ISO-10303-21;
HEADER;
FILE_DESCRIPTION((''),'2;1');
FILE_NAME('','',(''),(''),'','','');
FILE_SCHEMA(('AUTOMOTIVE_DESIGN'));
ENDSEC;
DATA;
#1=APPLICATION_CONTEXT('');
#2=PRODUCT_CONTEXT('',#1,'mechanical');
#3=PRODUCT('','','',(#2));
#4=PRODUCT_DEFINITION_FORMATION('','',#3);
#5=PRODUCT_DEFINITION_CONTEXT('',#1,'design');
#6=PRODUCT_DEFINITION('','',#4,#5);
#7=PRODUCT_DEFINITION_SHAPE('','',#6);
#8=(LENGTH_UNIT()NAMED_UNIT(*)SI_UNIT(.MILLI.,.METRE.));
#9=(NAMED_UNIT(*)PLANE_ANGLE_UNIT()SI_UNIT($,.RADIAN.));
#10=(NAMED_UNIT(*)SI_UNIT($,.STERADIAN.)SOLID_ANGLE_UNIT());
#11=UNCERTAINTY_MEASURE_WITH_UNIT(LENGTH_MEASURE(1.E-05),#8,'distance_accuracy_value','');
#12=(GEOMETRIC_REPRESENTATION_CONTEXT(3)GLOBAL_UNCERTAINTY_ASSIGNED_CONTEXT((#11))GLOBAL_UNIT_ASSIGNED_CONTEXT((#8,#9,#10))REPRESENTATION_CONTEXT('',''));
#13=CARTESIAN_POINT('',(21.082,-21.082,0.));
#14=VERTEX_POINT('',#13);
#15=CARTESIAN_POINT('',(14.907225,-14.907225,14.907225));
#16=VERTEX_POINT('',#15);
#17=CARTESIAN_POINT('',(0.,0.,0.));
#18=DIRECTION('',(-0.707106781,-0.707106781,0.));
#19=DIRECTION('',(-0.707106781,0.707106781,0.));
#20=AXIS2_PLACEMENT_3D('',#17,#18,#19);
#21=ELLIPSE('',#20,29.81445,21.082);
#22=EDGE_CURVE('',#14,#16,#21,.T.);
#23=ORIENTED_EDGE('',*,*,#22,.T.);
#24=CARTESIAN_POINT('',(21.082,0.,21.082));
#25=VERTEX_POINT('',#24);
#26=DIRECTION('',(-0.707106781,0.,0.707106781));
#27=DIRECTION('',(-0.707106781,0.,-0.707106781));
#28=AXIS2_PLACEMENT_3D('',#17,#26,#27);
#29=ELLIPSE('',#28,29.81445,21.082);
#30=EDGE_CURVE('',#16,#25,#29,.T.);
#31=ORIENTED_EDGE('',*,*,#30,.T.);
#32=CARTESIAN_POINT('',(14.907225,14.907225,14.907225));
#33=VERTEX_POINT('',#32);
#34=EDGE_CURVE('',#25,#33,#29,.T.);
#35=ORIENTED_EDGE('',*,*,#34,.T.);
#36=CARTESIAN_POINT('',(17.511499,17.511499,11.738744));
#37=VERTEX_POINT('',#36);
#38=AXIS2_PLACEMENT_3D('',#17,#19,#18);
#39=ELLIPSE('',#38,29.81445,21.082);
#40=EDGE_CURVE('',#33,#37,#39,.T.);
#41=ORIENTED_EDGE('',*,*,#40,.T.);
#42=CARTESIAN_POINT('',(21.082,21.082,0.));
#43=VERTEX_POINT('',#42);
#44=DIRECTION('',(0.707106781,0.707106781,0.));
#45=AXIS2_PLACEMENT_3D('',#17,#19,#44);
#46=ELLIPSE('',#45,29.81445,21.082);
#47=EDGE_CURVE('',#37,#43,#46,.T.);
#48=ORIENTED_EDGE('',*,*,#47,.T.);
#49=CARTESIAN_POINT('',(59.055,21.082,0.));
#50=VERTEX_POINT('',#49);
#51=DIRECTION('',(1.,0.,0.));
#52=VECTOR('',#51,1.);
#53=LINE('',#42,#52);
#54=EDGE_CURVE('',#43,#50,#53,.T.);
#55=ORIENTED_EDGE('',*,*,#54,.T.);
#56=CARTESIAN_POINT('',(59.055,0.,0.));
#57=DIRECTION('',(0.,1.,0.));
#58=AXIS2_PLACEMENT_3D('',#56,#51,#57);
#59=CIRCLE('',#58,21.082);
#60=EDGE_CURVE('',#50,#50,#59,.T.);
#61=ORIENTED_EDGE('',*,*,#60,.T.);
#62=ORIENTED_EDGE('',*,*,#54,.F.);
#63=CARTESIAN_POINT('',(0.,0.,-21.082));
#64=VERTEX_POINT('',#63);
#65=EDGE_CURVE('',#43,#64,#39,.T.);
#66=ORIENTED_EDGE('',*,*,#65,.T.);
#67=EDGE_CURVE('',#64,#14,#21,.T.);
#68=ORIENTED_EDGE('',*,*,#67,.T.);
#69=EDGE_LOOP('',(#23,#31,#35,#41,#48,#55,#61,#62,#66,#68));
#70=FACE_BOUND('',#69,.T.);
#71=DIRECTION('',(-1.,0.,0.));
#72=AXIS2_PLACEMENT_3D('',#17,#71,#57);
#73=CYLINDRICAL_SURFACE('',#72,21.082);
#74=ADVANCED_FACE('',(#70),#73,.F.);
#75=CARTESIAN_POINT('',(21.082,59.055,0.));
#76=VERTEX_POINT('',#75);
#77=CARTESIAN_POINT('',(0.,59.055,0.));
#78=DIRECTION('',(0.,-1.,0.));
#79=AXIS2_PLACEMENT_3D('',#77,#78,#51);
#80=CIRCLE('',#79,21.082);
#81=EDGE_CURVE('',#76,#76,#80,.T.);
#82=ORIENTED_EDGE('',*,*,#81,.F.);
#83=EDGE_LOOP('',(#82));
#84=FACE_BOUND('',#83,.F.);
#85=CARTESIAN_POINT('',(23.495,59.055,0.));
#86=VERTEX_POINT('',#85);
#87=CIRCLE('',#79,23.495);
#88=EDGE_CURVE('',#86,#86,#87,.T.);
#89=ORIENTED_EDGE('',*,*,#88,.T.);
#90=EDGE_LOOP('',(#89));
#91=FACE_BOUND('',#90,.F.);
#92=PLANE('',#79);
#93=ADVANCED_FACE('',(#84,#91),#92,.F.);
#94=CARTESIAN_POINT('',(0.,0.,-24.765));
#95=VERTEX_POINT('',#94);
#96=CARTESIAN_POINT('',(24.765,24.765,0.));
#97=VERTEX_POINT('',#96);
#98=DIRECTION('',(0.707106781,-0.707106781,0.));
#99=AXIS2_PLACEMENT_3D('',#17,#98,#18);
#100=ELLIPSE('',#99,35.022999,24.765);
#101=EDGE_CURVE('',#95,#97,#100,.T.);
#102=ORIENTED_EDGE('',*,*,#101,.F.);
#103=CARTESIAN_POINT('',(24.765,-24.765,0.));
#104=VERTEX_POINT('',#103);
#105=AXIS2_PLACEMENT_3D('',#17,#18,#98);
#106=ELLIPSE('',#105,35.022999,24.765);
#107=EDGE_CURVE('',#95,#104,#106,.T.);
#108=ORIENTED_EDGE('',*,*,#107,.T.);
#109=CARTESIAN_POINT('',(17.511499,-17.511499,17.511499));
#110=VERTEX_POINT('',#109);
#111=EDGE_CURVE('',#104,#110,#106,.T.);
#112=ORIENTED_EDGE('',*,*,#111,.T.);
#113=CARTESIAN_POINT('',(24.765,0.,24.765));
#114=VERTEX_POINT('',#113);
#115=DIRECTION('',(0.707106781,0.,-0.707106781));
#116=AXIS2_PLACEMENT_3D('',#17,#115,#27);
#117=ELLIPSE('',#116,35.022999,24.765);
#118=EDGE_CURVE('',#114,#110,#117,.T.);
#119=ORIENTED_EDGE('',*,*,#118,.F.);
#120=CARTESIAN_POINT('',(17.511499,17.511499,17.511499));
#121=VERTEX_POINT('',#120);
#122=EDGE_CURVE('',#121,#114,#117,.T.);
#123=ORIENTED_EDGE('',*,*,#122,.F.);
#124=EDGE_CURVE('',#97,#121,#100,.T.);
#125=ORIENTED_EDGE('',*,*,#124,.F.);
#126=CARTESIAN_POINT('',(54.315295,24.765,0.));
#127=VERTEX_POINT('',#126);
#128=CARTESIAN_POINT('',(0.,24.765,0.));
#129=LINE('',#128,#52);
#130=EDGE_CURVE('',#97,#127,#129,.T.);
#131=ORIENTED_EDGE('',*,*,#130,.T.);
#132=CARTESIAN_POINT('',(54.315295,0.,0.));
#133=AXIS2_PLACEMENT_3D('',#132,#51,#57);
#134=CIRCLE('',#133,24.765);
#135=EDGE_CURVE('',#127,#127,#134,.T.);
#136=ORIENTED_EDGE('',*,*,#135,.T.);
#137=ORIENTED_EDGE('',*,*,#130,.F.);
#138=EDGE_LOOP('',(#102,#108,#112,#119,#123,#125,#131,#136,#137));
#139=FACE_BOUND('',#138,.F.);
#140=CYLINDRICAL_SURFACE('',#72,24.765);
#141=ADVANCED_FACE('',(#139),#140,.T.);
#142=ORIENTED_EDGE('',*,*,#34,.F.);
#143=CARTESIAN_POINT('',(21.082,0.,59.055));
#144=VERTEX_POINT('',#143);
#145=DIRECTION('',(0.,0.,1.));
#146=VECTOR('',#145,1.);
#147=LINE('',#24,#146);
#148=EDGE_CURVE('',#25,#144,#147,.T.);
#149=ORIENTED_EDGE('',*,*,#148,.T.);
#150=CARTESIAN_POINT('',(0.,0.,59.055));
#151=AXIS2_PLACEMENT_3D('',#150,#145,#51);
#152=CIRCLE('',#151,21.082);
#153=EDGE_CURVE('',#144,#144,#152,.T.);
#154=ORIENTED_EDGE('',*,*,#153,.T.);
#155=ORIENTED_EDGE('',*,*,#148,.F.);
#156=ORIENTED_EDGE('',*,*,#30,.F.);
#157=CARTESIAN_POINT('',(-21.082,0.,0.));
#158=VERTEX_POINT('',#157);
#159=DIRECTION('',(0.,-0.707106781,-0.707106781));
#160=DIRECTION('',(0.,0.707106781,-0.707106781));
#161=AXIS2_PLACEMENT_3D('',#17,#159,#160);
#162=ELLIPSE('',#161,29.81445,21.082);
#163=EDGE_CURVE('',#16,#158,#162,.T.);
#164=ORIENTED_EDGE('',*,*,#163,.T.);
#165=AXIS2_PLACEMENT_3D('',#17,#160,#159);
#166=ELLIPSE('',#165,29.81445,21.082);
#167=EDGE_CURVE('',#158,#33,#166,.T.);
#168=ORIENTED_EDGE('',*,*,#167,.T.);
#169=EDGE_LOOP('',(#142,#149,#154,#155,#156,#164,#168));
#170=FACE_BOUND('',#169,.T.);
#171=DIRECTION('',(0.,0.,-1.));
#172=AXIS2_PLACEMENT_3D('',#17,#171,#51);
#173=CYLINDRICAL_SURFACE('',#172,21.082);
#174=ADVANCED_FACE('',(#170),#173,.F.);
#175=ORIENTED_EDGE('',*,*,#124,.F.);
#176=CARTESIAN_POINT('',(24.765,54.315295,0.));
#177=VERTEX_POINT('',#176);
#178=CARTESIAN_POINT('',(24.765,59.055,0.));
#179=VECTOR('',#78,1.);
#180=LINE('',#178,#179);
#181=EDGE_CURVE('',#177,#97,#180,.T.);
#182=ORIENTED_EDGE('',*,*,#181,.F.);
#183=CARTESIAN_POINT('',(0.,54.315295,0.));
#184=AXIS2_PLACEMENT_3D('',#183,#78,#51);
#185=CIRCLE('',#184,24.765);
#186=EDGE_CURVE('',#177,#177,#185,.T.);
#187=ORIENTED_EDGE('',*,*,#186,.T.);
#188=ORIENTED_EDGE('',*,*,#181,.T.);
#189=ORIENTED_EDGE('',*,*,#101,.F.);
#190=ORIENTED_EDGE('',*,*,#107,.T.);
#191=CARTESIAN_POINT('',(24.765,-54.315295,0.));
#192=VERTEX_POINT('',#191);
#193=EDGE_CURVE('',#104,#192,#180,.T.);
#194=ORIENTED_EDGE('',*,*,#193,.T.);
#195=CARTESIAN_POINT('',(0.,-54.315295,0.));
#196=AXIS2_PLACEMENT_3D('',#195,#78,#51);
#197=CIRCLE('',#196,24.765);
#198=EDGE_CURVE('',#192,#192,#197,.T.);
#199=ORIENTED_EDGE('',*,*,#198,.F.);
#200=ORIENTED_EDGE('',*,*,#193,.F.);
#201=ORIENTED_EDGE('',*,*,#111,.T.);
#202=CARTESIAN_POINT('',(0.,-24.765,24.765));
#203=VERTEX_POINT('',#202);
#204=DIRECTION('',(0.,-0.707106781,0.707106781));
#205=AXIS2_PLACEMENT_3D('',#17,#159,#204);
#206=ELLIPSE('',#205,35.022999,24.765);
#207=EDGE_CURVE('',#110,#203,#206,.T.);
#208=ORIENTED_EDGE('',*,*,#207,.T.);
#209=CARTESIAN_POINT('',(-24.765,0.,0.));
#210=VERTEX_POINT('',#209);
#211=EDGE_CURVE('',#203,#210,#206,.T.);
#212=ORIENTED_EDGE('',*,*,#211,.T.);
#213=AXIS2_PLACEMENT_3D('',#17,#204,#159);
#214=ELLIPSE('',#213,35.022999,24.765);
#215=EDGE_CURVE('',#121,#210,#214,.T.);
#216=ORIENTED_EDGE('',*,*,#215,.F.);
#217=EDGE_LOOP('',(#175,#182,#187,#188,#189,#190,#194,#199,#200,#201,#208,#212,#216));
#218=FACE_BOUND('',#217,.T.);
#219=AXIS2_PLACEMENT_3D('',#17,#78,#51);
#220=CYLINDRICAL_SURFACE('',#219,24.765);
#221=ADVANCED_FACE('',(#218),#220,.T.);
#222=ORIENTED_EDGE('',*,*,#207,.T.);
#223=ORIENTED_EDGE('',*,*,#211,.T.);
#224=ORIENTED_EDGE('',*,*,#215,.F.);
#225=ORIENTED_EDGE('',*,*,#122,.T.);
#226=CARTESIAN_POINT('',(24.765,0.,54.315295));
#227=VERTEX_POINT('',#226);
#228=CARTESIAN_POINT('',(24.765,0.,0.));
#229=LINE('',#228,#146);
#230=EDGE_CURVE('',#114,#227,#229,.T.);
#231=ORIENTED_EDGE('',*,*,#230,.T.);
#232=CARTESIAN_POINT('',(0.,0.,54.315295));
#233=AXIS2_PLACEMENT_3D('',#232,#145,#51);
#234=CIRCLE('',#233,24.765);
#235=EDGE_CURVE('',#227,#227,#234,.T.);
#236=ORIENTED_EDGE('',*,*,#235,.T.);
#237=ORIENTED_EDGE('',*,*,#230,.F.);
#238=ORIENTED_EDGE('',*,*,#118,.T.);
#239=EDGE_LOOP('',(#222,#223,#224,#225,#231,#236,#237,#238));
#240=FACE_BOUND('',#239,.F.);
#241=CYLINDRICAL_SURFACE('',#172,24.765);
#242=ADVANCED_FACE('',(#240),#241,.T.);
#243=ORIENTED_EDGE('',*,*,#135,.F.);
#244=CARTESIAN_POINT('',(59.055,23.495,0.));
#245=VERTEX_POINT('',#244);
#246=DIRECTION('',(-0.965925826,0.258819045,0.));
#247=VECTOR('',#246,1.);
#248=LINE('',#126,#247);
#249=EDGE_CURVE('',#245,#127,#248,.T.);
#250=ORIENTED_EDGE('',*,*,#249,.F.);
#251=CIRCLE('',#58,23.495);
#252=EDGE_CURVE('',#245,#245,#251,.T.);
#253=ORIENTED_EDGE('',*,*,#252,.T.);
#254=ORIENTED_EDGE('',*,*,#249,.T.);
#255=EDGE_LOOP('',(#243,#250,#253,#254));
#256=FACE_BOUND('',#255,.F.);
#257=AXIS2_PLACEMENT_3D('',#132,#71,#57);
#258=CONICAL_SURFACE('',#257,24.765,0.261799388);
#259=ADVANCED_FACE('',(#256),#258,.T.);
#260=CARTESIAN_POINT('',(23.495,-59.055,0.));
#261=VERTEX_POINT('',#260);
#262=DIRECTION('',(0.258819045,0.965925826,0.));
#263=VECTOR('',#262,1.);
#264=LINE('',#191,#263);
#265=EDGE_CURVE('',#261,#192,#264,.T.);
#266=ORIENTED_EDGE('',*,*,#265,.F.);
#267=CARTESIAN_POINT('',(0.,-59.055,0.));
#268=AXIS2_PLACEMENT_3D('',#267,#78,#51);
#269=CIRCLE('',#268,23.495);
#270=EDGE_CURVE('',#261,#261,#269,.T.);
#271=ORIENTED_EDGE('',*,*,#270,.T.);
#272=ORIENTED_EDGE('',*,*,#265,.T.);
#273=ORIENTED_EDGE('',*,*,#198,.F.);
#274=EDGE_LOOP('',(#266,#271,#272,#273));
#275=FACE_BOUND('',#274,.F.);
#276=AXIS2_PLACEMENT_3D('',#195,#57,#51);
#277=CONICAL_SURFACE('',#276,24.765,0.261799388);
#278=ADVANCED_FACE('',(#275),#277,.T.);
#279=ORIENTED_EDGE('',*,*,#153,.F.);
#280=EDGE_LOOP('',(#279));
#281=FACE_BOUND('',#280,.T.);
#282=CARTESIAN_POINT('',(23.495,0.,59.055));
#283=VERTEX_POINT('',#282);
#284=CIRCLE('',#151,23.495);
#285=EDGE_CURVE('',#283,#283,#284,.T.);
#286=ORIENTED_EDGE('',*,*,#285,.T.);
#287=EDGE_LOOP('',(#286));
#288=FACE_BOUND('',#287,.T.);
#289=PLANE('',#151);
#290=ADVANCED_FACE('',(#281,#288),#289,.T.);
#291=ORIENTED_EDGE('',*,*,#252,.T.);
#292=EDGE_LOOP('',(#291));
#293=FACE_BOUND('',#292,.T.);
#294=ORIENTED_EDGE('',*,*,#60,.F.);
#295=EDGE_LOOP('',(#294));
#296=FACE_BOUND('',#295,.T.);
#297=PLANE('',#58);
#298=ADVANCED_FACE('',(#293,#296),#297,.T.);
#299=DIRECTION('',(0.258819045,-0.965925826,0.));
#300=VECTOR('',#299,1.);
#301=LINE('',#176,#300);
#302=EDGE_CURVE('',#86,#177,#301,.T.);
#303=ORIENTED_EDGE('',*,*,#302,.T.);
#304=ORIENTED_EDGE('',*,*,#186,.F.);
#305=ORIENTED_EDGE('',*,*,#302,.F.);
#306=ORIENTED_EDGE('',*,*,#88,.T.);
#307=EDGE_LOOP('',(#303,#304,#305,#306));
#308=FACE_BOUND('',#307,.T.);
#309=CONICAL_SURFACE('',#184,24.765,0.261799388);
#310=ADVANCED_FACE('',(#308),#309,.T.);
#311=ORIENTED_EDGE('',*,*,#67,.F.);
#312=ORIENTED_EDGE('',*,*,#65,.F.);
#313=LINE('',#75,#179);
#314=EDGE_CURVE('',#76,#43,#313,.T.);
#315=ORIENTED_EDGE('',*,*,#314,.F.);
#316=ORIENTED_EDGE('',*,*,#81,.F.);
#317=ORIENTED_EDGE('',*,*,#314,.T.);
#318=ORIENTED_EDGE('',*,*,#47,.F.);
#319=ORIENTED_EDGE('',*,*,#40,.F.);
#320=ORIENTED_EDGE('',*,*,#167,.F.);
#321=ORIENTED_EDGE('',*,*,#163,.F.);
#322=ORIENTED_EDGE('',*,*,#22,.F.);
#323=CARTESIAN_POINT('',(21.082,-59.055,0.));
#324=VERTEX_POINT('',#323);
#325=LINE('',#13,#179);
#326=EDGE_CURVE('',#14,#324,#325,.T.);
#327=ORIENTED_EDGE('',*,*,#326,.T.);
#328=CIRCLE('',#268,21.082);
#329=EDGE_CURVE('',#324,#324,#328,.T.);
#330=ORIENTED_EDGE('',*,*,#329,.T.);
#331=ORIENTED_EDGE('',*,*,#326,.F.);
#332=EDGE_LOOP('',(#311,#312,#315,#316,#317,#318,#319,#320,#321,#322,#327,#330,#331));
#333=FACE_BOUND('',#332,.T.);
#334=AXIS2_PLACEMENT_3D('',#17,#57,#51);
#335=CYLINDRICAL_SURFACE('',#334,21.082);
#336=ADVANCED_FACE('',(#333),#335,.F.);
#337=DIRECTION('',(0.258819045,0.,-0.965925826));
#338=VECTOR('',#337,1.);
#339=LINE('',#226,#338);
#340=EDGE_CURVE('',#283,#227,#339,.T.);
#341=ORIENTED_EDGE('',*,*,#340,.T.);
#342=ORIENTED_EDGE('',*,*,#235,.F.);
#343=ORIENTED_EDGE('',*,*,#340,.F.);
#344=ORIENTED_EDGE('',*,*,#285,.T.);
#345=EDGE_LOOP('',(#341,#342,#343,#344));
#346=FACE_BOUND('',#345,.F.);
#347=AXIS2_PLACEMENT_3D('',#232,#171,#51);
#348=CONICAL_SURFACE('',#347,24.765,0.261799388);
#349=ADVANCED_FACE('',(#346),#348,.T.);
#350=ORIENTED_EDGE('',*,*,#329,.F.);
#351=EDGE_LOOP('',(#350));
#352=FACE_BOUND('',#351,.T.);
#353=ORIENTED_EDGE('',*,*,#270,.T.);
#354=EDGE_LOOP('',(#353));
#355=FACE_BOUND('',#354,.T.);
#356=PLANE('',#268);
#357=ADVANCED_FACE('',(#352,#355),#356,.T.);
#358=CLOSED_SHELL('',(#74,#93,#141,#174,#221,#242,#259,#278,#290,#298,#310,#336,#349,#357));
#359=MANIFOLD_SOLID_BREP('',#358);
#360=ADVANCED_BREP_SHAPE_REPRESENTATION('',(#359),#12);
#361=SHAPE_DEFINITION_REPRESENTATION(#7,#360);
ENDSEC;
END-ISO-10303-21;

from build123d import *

# Parameters (mm, degrees)
F0_R          = 24.765
F0_R_2        = 21.082
F1_DEPTH      = 59.055
F2_R          = 24.765
F2_R_2        = 21.082
F3_DEPTH      = 59.055
F4_R          = 24.765
F4_R_2        = 21.082
F5_DEPTH      = 59.055
F6_DEPTH      = 59.0560001
F7_DEPTH      = 59.0560001
F8_DEPTH      = 59.0560001
F8_DEPTH_BACK = 59.0560001
F9_SIZE2      = 4.7397045256
F9_SIZE       = 1.27
F9_2_SIZE2    = 4.7397045256
F9_2_SIZE     = 1.27
F9_3_SIZE2    = 4.7397045256
F9_3_SIZE     = 1.27
F10_SIZE2     = 4.7397045256
F10_SIZE      = 1.27


with BuildPart() as f1:
    # F0 (on Front) → F1 (new body, symmetric)
    with BuildSketch(Plane.XZ):
        Circle(F0_R)
        Circle(F0_R_2, mode=Mode.SUBTRACT)
    extrude(amount=F1_DEPTH, both=True)

    # F2 (on Top) → F3 (join)
    with BuildSketch(Plane.XY):
        Circle(F2_R)
        Circle(F2_R_2, mode=Mode.SUBTRACT)
    extrude(amount=F3_DEPTH)

    # F4 (on Right) → F5 (join)
    with BuildSketch(Plane.YZ):
        Circle(F4_R)
        Circle(F4_R_2, mode=Mode.SUBTRACT)
    extrude(amount=F5_DEPTH)

    # F4 (on Right) → F6 (cut, through all)
    with BuildSketch(Plane.YZ):
        Circle(F4_R_2)
    extrude(amount=F6_DEPTH, mode=Mode.SUBTRACT)

    # F2 (on Top) → F7 (cut, through all)
    with BuildSketch(Plane.XY):
        Circle(F2_R_2)
    extrude(amount=F7_DEPTH, mode=Mode.SUBTRACT)

    # F0 (on Front) → F8 (cut, two sides)
    with BuildSketch(Plane.XZ) as f8_sk:
        Circle(F0_R_2)
    extrude(amount=F8_DEPTH, mode=Mode.SUBTRACT)
    extrude(f8_sk.sketch, amount=-F8_DEPTH_BACK, mode=Mode.SUBTRACT)

    # F9
    f9_edges = [f1.edges().sort_by_distance(p)[0] for p in [
        (-24.765, 0, 59.055),
    ]]
    f9_side = f1.faces().sort_by_distance((-24.06454, 0, 59.055))[0]
    chamfer(f9_edges, length=F9_SIZE, length2=F9_SIZE2, reference=f9_side)

    # F9#2
    f9_2_edges = [f1.edges().sort_by_distance(p)[0] for p in [
        (-24.765, -59.055, 0),
    ]]
    f9_2_side = f1.faces().sort_by_distance((-24.06454, -59.055, 0))[0]
    chamfer(f9_2_edges, length=F9_2_SIZE, length2=F9_2_SIZE2, reference=f9_2_side)

    # F9#3
    f9_3_edges = [f1.edges().sort_by_distance(p)[0] for p in [
        (59.055, -24.765, 0),
    ]]
    f9_3_side = f1.faces().sort_by_distance((59.055, -24.06454, 0))[0]
    chamfer(f9_3_edges, length=F9_3_SIZE, length2=F9_3_SIZE2, reference=f9_3_side)

    # F10
    f10_edges = [f1.edges().sort_by_distance(p)[0] for p in [
        (-24.765, 59.055, 0),
    ]]
    f10_side = f1.faces().sort_by_distance((-24.06454, 59.055, 0))[0]
    chamfer(f10_edges, length=F10_SIZE, length2=F10_SIZE2, reference=f10_side)


solid = f1.part
